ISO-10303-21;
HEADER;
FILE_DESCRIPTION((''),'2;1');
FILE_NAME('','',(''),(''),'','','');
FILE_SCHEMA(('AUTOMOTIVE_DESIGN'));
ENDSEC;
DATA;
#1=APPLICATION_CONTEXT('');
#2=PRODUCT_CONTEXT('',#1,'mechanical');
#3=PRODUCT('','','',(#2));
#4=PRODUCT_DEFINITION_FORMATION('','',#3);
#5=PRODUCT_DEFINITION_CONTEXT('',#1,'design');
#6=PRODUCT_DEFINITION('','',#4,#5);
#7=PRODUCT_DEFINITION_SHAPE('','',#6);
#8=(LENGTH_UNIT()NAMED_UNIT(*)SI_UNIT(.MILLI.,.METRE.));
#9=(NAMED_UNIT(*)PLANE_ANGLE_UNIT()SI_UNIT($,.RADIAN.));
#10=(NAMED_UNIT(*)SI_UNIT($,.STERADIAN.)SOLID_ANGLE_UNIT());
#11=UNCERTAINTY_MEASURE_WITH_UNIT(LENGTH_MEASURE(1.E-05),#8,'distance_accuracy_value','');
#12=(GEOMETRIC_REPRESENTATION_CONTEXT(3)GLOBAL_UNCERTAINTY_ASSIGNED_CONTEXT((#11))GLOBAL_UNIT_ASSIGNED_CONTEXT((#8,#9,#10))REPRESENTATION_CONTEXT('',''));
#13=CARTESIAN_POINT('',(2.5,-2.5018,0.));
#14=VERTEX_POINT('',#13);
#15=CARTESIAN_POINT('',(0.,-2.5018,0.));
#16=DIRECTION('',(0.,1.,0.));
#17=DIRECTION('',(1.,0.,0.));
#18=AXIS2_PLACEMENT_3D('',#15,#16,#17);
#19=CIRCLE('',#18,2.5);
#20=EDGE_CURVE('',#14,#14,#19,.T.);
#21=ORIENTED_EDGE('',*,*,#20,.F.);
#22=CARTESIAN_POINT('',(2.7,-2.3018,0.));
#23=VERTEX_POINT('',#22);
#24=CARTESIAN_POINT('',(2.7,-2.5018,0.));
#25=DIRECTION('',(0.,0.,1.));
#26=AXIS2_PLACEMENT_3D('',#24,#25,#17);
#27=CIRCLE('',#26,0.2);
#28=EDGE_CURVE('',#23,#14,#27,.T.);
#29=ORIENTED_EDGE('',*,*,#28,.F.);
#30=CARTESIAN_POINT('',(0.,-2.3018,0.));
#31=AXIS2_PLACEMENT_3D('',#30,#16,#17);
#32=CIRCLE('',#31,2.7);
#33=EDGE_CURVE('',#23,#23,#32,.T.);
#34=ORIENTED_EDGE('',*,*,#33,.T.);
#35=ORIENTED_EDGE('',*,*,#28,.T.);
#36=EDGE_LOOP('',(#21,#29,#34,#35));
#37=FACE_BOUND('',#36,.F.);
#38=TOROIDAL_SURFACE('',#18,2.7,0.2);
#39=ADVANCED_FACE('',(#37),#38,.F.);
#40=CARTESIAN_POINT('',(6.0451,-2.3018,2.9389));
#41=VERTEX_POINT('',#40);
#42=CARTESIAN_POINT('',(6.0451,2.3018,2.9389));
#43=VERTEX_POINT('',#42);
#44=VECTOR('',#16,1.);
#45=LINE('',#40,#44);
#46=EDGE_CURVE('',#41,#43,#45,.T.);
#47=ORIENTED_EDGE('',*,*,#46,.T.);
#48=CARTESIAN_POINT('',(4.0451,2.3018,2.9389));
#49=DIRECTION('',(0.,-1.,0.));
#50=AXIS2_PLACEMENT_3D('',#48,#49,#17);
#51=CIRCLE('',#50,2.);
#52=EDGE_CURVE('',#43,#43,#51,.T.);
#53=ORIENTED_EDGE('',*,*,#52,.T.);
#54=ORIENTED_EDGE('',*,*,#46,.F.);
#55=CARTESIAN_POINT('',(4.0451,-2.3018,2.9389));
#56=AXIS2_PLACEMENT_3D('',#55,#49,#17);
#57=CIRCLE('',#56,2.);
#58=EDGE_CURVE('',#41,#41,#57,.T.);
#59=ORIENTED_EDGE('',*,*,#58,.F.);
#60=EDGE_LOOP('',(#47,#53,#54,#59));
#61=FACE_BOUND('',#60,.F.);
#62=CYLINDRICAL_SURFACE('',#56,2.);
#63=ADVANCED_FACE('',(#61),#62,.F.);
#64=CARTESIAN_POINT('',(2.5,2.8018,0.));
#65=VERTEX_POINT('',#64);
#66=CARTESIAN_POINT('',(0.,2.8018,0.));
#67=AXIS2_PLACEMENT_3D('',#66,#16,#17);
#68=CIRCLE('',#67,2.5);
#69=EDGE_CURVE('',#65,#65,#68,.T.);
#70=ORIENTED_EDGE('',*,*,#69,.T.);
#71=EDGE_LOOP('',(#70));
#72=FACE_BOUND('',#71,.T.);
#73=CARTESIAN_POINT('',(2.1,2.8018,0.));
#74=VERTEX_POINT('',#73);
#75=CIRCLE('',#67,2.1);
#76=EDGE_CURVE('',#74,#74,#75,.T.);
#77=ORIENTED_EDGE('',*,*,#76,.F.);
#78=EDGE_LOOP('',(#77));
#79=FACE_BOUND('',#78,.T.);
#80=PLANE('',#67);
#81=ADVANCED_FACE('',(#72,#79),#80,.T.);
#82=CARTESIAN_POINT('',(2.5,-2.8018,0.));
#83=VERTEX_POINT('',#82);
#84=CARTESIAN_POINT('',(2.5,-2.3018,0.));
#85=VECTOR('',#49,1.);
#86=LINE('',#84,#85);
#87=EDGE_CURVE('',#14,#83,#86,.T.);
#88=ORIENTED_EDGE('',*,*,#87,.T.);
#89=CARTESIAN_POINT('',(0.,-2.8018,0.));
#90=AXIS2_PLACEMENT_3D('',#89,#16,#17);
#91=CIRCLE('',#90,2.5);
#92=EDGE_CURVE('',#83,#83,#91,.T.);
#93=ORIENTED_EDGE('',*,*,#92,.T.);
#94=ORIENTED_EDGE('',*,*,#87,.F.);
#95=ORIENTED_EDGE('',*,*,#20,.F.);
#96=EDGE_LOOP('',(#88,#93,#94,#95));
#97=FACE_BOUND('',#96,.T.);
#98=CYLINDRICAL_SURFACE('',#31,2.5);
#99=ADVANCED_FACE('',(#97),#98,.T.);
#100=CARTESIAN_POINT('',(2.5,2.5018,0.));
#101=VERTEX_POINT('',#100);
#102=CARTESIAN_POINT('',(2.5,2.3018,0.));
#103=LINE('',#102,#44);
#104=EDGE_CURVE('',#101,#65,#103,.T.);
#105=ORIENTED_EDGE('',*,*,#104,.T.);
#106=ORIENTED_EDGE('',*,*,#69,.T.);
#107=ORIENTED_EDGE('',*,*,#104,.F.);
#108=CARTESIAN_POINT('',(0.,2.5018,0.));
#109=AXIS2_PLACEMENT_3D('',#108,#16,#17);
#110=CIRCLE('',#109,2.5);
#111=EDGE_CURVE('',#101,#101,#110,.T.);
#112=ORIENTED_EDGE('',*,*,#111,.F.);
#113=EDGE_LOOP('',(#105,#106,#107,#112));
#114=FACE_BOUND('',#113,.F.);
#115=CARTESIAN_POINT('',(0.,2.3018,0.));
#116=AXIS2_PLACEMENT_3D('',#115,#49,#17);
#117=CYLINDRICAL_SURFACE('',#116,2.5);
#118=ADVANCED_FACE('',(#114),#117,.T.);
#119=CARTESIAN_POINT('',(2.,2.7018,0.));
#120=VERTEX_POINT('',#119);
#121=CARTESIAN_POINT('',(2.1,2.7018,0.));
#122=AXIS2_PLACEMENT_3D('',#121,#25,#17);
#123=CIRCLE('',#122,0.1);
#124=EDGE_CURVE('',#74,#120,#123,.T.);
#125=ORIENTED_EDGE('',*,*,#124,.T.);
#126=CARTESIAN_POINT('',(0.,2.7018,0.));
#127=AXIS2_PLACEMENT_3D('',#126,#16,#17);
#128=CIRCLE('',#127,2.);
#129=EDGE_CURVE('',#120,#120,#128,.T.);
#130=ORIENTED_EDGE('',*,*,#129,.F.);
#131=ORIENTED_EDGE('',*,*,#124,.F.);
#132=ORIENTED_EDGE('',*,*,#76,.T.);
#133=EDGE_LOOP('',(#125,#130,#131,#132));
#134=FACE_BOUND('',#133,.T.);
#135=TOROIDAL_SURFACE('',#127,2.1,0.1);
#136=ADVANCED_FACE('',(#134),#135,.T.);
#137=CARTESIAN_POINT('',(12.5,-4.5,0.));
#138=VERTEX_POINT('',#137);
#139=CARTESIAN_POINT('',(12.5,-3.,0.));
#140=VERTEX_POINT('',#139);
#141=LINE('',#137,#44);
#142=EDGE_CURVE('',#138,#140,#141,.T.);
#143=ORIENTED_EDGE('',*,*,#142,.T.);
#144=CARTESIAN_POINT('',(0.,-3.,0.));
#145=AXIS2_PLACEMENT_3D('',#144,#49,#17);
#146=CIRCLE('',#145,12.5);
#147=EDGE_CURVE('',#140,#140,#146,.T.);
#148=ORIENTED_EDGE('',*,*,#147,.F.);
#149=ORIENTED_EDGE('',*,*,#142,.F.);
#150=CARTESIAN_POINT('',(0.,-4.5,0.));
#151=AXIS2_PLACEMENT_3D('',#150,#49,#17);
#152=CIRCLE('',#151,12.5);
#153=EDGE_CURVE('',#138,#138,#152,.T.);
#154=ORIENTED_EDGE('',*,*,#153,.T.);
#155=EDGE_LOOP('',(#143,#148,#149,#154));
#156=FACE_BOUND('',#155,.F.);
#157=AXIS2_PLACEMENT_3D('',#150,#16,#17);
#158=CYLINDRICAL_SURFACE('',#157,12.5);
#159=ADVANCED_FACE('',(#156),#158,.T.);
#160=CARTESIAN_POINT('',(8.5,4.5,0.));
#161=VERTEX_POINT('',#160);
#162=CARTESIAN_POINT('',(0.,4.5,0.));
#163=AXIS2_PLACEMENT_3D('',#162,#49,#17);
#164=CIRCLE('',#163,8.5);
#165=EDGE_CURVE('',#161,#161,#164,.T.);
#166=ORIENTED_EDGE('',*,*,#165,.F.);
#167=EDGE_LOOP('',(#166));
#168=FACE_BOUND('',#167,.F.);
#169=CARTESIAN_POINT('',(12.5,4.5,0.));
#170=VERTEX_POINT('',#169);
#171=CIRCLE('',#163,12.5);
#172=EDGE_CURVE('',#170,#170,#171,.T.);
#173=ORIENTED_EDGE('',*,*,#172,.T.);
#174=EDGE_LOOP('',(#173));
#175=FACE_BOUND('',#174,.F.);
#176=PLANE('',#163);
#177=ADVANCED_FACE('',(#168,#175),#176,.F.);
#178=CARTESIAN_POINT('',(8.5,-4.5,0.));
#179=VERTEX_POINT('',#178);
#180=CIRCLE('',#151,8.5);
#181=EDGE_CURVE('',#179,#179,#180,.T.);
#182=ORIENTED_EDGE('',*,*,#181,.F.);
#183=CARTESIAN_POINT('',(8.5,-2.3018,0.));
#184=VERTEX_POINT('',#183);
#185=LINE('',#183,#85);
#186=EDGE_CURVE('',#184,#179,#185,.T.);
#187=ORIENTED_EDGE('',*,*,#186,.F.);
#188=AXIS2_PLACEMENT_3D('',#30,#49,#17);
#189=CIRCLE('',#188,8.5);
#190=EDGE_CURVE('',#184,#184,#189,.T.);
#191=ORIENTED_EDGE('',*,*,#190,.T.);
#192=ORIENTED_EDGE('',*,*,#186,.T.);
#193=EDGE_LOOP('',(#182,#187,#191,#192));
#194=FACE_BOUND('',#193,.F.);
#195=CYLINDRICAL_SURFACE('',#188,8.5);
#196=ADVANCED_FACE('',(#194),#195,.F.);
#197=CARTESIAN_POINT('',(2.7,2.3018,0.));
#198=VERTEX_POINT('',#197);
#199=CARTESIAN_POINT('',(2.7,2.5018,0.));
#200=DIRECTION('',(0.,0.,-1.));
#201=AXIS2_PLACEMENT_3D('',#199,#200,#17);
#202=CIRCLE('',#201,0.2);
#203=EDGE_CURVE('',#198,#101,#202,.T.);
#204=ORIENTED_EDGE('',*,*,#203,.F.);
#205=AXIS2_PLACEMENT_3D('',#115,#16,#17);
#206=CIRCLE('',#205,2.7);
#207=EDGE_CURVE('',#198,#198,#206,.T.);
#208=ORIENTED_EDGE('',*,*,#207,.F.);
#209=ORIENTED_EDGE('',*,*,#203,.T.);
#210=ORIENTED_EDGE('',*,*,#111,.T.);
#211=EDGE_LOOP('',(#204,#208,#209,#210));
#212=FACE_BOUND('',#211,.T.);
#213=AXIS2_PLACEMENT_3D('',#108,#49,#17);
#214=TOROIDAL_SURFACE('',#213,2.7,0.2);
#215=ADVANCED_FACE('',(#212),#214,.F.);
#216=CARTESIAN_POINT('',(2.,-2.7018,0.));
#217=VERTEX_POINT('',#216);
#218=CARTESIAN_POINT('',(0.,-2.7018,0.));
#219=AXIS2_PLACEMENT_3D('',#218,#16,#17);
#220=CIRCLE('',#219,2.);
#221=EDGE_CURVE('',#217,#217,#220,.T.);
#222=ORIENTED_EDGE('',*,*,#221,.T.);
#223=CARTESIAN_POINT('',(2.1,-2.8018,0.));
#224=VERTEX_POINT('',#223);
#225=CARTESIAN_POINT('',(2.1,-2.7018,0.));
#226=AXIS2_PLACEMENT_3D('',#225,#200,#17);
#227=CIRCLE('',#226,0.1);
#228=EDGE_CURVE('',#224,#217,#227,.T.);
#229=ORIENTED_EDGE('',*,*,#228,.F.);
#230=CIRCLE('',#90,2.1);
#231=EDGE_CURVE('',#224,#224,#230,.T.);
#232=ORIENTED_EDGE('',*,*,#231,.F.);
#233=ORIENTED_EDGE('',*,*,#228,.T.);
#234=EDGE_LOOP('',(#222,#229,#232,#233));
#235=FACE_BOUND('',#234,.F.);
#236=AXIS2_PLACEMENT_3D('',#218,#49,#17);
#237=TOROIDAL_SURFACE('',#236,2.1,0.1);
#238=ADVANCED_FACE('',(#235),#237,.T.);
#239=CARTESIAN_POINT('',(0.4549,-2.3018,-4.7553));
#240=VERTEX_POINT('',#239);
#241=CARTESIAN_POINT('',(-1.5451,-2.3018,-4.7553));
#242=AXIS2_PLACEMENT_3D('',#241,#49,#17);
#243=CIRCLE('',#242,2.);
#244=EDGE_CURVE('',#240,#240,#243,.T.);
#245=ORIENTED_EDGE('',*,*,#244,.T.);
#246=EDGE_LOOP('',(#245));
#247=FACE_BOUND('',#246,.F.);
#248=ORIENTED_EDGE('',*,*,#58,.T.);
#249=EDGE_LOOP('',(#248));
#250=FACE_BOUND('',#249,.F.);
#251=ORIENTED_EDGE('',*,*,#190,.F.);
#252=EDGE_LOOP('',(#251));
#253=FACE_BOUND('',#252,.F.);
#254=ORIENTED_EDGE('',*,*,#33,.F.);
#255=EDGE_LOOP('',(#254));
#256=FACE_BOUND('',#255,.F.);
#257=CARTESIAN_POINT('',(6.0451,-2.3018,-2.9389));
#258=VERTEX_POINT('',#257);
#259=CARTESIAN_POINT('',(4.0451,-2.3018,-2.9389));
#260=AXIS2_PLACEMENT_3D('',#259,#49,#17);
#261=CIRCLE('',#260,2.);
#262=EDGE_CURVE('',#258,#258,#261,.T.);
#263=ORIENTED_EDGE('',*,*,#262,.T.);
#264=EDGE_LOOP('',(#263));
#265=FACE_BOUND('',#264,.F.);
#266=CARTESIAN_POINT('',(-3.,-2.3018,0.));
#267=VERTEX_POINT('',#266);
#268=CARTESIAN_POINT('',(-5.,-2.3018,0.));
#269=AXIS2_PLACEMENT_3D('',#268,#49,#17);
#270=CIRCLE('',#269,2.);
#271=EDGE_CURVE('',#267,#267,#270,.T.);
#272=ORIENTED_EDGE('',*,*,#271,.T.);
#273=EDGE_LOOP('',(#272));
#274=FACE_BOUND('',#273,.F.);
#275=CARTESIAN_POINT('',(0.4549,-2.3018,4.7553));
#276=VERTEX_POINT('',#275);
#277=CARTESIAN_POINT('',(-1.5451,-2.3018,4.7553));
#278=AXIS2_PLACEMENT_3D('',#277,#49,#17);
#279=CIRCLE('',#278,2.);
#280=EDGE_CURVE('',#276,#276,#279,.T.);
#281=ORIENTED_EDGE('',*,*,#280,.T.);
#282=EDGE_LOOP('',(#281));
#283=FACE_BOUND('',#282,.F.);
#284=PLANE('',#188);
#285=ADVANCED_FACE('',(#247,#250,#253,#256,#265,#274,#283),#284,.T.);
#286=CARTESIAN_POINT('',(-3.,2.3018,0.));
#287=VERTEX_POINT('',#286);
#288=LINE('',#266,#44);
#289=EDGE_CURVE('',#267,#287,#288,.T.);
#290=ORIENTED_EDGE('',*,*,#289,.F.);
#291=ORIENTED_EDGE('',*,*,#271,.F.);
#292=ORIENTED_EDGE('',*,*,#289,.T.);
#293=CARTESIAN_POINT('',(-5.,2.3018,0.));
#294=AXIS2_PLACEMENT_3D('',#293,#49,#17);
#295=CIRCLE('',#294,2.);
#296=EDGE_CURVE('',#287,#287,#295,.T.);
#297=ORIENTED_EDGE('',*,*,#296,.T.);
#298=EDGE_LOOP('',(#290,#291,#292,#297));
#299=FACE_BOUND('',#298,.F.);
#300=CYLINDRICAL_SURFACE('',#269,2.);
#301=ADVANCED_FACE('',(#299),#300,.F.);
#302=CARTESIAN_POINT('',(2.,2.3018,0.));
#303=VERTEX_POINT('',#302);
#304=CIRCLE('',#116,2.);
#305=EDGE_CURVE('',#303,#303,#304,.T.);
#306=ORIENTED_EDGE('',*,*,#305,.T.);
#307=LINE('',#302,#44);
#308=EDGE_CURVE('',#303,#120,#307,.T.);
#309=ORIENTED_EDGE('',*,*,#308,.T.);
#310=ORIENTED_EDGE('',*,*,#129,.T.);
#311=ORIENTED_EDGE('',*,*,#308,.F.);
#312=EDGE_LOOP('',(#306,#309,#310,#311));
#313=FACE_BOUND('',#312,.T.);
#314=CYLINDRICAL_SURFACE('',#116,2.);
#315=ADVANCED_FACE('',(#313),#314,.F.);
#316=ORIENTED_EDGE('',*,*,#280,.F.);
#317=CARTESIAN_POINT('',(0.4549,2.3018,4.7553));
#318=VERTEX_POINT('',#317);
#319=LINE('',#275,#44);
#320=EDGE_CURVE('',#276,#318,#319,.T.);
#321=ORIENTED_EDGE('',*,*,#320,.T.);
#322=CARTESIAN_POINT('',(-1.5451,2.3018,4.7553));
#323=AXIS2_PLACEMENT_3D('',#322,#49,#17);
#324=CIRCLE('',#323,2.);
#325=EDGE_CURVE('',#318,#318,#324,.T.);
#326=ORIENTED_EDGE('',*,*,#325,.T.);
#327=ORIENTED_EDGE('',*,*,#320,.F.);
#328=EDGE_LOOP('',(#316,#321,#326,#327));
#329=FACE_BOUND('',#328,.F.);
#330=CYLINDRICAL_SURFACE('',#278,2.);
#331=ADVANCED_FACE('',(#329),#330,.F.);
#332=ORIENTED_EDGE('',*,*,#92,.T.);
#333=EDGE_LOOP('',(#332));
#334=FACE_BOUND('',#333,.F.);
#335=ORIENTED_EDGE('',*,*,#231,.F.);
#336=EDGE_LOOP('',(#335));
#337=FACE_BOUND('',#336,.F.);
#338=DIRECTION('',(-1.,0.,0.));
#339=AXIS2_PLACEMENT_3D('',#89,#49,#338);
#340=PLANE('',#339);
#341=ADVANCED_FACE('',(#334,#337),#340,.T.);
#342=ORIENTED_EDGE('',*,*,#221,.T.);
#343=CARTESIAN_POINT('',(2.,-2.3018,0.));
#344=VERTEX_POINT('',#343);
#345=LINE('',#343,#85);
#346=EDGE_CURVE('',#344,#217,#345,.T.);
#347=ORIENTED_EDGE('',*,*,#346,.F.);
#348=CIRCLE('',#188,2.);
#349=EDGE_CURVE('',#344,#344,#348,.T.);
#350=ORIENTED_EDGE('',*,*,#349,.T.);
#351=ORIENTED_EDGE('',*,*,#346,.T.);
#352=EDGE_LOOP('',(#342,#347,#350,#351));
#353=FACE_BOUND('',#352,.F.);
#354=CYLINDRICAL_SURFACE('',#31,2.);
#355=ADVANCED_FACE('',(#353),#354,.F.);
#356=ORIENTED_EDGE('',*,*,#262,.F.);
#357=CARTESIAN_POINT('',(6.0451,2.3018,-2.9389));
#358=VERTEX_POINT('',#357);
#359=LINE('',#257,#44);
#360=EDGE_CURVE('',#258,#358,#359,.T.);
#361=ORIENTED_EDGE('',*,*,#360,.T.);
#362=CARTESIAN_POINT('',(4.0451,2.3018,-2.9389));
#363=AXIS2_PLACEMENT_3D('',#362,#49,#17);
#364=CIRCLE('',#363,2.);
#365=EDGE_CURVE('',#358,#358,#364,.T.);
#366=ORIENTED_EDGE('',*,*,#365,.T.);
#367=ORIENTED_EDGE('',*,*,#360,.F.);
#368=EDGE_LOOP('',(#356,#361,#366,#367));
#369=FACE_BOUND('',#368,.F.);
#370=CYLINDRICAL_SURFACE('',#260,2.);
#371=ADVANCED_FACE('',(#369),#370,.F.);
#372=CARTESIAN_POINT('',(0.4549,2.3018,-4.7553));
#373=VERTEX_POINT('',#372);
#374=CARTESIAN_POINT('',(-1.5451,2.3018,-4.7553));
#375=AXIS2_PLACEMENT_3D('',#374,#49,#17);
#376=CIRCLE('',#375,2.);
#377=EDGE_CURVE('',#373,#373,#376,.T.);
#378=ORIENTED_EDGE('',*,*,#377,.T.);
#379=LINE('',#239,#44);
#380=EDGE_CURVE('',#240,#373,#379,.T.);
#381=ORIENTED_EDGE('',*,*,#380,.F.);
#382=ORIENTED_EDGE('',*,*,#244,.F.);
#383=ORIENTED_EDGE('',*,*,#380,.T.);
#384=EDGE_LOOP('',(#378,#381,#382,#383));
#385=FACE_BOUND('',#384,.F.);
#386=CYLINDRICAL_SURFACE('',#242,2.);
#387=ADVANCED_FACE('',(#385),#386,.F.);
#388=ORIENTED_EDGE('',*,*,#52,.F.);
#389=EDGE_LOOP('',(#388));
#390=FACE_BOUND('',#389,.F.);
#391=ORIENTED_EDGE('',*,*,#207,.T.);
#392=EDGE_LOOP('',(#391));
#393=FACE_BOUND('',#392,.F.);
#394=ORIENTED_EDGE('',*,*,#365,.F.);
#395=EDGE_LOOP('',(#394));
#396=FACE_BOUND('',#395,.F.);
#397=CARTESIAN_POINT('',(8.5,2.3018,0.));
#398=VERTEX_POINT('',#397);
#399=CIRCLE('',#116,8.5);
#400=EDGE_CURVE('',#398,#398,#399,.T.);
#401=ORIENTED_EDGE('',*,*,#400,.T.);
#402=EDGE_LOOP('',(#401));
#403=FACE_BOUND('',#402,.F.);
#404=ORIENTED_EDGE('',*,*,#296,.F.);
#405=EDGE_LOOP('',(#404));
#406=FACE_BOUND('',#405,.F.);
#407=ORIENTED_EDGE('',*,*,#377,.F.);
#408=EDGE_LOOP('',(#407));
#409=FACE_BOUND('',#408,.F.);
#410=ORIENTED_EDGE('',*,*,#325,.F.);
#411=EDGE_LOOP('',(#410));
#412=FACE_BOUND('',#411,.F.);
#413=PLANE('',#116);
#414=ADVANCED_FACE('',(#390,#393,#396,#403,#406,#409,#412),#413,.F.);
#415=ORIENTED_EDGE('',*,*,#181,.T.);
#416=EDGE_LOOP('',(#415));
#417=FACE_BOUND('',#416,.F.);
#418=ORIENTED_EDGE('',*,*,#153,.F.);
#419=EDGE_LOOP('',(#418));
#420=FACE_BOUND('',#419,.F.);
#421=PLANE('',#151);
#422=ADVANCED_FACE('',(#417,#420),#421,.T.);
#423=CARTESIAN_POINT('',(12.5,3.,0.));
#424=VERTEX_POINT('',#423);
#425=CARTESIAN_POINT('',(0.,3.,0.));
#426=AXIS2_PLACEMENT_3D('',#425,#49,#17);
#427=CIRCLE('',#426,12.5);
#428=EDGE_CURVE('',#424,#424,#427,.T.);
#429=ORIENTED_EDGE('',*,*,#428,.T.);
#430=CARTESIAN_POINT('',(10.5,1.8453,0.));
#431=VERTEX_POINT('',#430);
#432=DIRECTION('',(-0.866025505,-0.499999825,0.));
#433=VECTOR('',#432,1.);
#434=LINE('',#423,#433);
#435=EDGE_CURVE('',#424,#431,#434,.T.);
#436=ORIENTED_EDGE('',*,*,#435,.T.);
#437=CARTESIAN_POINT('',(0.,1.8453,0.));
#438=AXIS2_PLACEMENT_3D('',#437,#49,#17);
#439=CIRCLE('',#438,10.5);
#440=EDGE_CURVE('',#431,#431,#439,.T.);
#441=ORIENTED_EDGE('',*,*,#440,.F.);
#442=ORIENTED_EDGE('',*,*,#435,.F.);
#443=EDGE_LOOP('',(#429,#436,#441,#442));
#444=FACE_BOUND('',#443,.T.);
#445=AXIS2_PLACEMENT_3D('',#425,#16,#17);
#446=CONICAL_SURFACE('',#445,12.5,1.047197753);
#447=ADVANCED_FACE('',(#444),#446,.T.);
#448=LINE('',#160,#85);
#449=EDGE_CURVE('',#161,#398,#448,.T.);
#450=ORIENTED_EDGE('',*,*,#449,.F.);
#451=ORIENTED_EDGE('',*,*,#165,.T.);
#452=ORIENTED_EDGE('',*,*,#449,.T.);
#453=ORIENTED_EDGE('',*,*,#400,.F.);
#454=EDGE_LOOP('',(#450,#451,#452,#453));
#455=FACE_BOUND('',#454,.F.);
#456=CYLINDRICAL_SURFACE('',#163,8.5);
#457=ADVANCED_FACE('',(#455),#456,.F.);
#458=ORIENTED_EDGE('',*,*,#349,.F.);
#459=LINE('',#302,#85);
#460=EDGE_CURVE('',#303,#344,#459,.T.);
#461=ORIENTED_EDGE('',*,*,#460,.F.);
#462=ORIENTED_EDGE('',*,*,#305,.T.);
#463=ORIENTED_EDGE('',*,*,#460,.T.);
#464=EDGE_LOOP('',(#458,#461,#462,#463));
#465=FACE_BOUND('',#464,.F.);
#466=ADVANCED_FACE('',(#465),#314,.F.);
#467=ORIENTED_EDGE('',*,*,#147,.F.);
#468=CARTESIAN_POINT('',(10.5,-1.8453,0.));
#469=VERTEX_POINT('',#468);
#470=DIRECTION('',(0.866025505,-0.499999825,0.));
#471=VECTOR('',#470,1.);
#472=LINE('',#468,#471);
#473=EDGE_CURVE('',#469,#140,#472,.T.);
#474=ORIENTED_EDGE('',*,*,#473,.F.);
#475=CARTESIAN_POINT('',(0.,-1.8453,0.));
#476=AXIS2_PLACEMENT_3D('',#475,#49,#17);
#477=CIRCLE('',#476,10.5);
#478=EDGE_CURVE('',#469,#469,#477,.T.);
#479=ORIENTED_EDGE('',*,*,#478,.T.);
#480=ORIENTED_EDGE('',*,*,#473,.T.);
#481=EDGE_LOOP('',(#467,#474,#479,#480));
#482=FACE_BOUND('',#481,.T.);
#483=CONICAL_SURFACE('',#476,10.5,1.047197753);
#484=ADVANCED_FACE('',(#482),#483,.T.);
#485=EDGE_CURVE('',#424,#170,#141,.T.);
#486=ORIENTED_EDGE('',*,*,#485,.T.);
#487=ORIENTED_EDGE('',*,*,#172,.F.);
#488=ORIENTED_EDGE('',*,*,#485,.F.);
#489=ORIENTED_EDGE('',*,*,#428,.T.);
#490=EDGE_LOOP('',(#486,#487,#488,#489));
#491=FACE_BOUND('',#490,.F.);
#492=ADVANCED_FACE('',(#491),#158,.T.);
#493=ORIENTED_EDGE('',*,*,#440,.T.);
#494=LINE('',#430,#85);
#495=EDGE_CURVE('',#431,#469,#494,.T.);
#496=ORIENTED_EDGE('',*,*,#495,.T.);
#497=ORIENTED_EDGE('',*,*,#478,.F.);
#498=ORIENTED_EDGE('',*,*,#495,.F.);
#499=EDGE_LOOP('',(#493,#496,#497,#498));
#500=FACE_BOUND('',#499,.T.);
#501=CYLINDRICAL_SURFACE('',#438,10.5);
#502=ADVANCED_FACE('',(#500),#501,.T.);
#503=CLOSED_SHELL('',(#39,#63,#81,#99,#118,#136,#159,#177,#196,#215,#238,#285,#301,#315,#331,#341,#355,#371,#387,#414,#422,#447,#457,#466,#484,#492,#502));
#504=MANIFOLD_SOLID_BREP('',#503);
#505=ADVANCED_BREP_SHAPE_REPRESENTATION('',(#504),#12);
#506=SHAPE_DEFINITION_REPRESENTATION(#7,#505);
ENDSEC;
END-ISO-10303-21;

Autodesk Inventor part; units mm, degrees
ref_plane "YZ Plane" through (0, 0, 0) normal (1, 0, 0) x (0, 1, 0)
ref_plane "XZ Plane" through (0, 0, 0) normal (0, 1, 0) x (-1, 0, 0)
ref_plane "XY Plane" through (0, 0, 0) normal (0, 0, 1) x (1, 0, 0)
sketch "Sketch1" plane through (0, 0, 0) normal (0, 0, 1) x (1, 0, 0)
  line L0 (0, 17.0681) -> (0, -16.825)
  line L1 (2, 2.3018) -> (2, -2.3018)
  line L2 (2, -2.3018) -> (8.5, -2.3018)
  line L3 (8.5, -2.3018) -> (8.5, -4.5)
  line L4 (8.5, -4.5) -> (12.5, -4.5)
  line L5 (12.5, -4.5) -> (12.5, 4.5)
  line L6 (12.5, 4.5) -> (8.5, 4.5)
  line L7 (8.5, 4.5) -> (8.5, 2.3018)
  line L8 (8.5, 2.3018) -> (2, 2.3018)
  line L9 (12.5, 3) -> (10.5, 1.8453)
  line L10 (10.5, 1.8453) -> (10.5, -1.8453)
  line L11 (10.5, -1.8453) -> (12.5, -3)
  point P0 (0, 0)
  point P1 (0, 0.1215)
  point P2 (2, 0)
  dimension "d0" = 25
  dimension "d1" = 4
  dimension "d2" = 4
  dimension "d3" = 9
  dimension "d4" = 1.5
  dimension "d5" = 1.5
  dimension "d6" = 2
  dimension "d7" = 60
revolve "Revolution1" add sketch "Sketch1" angle 360 about axis through (0, 17.0681, 0) along (0, -1, 0) contours L8 L7 L6 L5 L9 L10 L11 L4 L3 L2 L1
sketch "Sketch2" plane through (0, -2.3018, 0) normal (0, -1, 0) x (1, 0, 0)
  circle A0 centre (0, 0) radius 2 construction
  circle A1 centre (0, 0) radius 5 construction
  circle A2 centre (-5, 0) radius 2
  circle A3 centre (-1.5451, -4.7553) radius 2
  circle A4 centre (4.0451, -2.9389) radius 2
  circle A5 centre (4.0451, 2.9389) radius 2
  circle A6 centre (-1.5451, 4.7553) radius 2
  point P0 (0, 0)
  dimension "d9" = 10
  dimension "d10" = 4
  dimension "d13" = 360
extrude "Extrusion1" cut sketch "Sketch2" against normal through all
sketch "Sketch3" plane through (0, 2.3018, 0) normal (0, 1, 0) x (1, 0, 0)
  circle A0 centre (0, 0) radius 2.5
  circle A1 centre (0, 0) radius 2
  point P0 (0, 0)
  dimension "d17" = 5
extrude "Extrusion2" add sketch "Sketch3" along normal blind 0.5
mirror "Mirror1" about plane through (0, 0, 0) normal (0, 1, 0) of "Extrusion2"
fillet "Fillet1" radius 0.2 1 edges at (-2.5, 2.3018, 0)
fillet "Fillet2" radius 0.2 1 edges at (-2.5, -2.3018, 0)
fillet "Fillet3" radius 0.1 2 edges at (-2, 2.8018, 0) (-2, -2.8018, 0)
properties part number "Pulley nhỏ" material "Iron, Cast"
